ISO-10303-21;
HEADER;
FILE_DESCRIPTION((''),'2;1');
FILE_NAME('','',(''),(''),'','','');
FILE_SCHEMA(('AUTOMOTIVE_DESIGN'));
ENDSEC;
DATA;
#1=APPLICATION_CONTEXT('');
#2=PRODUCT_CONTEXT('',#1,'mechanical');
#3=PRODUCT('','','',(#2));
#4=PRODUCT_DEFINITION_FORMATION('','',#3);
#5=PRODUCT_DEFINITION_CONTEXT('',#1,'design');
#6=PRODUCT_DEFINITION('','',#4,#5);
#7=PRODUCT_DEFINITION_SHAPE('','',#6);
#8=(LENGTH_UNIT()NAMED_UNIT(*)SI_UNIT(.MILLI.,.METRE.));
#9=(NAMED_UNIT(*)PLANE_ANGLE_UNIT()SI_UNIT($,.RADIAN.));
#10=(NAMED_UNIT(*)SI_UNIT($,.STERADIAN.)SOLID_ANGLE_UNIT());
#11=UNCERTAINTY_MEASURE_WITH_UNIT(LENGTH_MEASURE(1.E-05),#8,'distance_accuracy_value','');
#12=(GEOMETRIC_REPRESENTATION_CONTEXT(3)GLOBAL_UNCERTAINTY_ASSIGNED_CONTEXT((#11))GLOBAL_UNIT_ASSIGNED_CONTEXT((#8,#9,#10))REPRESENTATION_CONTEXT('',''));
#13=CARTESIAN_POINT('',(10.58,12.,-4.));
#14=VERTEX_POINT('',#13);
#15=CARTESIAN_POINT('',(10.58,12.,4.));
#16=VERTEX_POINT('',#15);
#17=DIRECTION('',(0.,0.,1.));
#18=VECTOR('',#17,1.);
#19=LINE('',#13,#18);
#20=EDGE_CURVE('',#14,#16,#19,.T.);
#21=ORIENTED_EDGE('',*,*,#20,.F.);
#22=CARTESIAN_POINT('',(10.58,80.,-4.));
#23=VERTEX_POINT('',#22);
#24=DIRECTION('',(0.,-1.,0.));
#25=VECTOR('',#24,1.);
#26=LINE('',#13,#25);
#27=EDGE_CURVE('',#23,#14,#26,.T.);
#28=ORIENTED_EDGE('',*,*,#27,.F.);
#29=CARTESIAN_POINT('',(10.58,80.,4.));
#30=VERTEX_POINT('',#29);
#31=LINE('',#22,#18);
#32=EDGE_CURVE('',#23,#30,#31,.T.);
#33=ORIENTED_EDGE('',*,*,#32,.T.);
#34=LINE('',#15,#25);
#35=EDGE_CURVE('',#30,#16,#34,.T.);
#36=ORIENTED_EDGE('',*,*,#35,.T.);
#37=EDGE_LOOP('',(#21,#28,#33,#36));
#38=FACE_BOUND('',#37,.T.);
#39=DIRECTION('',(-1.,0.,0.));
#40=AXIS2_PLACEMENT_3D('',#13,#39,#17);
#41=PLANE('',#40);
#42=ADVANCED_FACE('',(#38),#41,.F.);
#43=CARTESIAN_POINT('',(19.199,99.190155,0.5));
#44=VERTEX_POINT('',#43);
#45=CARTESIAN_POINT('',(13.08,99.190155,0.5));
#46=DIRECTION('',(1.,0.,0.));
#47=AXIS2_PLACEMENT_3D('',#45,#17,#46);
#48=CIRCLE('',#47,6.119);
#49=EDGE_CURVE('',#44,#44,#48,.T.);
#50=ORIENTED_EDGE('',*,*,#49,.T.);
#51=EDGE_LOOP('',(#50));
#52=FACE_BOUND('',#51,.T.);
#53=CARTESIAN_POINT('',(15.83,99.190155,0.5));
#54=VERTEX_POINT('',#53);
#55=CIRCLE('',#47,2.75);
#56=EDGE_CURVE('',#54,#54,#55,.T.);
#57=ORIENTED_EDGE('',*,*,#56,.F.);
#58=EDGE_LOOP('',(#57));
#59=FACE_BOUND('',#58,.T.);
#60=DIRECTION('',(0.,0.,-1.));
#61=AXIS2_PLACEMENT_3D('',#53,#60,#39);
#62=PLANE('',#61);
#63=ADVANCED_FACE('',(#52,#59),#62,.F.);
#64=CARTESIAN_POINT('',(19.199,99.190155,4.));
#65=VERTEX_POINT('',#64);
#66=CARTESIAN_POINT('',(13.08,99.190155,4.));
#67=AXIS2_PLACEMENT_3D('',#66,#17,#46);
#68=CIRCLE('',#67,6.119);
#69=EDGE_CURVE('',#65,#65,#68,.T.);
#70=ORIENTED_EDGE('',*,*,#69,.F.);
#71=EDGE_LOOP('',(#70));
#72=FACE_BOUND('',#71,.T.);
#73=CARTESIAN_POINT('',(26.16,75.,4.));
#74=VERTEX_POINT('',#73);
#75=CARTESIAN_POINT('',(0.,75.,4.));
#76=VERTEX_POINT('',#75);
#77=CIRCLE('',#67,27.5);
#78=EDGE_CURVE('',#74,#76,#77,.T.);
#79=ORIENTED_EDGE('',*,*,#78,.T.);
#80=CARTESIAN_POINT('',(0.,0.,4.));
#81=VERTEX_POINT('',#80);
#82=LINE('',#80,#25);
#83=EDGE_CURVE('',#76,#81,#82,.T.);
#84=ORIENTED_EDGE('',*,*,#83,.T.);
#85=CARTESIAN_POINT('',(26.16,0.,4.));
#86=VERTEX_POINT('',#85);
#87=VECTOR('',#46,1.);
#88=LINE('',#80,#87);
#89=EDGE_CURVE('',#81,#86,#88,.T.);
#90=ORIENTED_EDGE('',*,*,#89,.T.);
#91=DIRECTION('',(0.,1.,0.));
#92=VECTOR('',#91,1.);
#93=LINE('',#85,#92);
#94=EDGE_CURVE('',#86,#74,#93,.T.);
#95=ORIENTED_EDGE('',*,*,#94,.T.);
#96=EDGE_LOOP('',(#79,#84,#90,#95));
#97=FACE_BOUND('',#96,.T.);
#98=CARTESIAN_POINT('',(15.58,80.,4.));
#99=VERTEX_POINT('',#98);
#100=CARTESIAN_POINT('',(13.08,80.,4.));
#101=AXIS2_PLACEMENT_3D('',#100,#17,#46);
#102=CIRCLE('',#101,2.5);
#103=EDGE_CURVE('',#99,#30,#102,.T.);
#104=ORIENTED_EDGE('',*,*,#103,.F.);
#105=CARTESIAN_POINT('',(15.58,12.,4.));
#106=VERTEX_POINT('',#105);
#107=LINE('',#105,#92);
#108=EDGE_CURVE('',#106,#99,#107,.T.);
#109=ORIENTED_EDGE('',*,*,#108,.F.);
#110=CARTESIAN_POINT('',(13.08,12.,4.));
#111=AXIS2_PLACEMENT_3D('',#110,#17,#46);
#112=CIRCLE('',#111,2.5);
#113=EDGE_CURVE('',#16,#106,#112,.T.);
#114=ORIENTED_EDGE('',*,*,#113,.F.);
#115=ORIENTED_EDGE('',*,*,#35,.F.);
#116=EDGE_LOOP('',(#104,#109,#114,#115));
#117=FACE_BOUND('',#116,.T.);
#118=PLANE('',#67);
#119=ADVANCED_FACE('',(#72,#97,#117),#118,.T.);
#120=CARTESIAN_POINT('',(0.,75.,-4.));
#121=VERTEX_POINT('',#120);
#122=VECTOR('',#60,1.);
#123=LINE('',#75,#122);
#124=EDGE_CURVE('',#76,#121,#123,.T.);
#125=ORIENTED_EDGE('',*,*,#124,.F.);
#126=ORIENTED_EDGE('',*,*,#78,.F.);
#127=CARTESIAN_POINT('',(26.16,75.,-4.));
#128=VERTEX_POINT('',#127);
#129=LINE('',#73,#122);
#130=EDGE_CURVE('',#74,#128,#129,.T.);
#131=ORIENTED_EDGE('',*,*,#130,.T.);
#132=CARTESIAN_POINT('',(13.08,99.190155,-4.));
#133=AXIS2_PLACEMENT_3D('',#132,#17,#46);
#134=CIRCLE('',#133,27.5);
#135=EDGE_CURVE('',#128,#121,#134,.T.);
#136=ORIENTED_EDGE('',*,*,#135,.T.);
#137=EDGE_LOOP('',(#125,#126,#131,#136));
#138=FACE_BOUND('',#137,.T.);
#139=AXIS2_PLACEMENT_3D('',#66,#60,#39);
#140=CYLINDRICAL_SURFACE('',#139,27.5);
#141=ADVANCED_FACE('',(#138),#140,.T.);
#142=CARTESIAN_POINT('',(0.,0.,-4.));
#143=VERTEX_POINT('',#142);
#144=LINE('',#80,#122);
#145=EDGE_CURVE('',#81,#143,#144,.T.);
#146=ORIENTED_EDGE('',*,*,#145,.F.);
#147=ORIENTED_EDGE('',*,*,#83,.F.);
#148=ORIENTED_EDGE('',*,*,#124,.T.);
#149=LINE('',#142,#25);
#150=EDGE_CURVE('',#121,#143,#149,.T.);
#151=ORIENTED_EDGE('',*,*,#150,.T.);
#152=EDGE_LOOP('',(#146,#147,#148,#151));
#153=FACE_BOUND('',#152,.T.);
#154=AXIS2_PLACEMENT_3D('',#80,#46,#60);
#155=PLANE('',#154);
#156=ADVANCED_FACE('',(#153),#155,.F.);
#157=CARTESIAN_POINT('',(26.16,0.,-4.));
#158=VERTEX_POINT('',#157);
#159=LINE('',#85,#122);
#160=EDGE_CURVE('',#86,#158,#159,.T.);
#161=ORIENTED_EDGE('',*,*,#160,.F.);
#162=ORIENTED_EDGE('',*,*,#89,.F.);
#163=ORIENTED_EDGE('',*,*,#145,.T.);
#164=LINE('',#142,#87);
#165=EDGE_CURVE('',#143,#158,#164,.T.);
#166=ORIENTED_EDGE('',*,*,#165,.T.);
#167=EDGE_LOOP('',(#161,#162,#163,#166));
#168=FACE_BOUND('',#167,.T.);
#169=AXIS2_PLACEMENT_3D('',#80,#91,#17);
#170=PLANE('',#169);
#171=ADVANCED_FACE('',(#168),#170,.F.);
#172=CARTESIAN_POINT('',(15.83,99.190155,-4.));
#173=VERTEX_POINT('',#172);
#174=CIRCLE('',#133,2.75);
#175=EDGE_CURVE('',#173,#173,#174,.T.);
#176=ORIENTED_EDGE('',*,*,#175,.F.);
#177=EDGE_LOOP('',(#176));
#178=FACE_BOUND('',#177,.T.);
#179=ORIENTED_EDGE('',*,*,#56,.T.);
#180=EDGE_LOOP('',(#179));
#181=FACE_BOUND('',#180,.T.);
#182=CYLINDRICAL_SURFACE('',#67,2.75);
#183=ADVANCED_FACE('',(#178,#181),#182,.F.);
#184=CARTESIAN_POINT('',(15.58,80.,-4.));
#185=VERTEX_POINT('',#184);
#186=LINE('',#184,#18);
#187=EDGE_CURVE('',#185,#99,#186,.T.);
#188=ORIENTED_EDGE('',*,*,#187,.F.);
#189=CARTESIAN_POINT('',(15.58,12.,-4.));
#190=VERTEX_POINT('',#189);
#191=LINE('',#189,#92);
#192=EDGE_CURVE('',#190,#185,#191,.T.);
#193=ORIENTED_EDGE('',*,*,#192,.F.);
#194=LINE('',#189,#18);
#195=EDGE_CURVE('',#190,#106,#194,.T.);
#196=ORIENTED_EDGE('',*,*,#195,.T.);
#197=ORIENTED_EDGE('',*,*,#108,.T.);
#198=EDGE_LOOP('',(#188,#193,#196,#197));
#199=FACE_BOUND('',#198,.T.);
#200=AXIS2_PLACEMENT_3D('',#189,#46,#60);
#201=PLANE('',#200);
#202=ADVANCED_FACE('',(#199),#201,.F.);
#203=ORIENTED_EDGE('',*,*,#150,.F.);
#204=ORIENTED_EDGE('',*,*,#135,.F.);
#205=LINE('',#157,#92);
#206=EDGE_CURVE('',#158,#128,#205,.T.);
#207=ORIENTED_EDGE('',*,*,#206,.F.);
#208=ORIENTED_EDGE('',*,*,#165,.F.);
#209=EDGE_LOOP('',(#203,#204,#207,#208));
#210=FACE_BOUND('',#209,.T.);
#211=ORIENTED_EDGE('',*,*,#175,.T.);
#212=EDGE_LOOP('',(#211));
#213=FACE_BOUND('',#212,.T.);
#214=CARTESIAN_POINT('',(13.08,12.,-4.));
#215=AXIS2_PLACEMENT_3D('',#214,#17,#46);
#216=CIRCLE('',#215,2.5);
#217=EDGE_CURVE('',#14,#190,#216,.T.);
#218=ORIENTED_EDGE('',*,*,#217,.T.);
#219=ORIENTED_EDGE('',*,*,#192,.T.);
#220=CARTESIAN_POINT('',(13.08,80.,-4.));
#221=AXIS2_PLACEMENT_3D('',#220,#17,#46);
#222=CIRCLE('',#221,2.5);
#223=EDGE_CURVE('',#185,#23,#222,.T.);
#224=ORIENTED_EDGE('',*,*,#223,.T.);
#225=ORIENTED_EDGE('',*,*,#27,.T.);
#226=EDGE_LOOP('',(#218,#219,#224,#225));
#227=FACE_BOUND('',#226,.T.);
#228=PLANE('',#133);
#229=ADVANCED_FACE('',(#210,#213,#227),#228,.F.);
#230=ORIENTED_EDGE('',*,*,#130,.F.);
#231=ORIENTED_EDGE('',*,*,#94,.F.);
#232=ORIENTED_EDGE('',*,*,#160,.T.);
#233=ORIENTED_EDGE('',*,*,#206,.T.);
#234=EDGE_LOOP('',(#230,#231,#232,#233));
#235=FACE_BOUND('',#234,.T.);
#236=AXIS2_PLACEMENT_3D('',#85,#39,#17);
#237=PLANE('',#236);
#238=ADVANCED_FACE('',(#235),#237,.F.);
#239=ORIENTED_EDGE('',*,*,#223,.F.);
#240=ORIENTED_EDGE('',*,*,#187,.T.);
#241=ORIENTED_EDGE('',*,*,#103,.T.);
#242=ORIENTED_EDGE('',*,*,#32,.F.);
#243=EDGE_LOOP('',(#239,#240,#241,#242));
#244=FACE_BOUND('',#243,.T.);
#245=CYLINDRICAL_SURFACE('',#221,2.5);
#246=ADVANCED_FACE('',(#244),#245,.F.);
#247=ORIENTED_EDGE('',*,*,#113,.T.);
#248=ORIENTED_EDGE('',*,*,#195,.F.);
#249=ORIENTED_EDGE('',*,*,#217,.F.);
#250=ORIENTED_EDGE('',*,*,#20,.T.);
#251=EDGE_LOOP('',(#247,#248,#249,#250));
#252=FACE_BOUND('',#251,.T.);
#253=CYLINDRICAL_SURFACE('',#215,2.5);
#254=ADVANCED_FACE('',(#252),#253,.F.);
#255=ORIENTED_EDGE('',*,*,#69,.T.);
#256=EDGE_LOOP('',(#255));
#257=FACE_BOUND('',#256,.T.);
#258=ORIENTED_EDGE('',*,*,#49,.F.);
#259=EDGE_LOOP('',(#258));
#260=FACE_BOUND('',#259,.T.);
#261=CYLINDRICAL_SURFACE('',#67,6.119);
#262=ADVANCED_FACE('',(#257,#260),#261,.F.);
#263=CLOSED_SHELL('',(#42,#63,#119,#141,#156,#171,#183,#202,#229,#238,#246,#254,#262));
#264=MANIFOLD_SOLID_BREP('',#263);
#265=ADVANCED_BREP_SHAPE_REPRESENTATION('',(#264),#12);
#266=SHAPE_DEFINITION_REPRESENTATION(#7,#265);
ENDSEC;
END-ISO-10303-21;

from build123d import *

# Parameters (mm, degrees)
ESTRUSIONE_ESTRUSIONE1_DEPTH                         = 4
TAGLIO_ESTRUSIONE1_DEPTH                             = 134.270896221
FORO_LAMATO_PER_BULLONE_M5_A_TESTA_ESAGO_D           = 5.5
FORO_LAMATO_PER_BULLONE_M5_A_TESTA_ESAGO_CBORE_D     = 12.238
FORO_LAMATO_PER_BULLONE_M5_A_TESTA_ESAGO_CBORE_DEPTH = 3.5


with BuildPart() as part:
    # Schizzo1 → Estrusione-Estrusione1 (new, symmetric)
    with BuildSketch(Plane.XY):
        with BuildLine():
            Line((0, 0), (0, 75))
            ThreePointArc((0, 75), (13.08, 126.690155022), (26.16, 75))
            Line((26.16, 75), (26.16, 0))
            Line((26.16, 0), (0, 0))
        make_face()
    extrude(amount=ESTRUSIONE_ESTRUSIONE1_DEPTH, both=True)

    # Schizzo2 → Taglio-Estrusione1 (cut, through all)
    with BuildSketch(Plane.XY.offset(4)):
        with BuildLine():
            Line((10.58, 12), (10.58, 80))
            ThreePointArc((10.58, 80), (13.08, 82.5), (15.58, 80))
            Line((15.58, 80), (15.58, 12))
            ThreePointArc((15.58, 12), (13.08, 9.5), (10.58, 12))
        make_face()
    extrude(amount=-TAGLIO_ESTRUSIONE1_DEPTH, mode=Mode.SUBTRACT)

    # Foro lamato per Bullone M5 a testa esagonale-1 (through all)
    with Locations(Plane.XY.offset(4)):
        with Locations((13.08, 99.190155022)):
            CounterBoreHole(FORO_LAMATO_PER_BULLONE_M5_A_TESTA_ESAGO_D / 2, FORO_LAMATO_PER_BULLONE_M5_A_TESTA_ESAGO_CBORE_D / 2, FORO_LAMATO_PER_BULLONE_M5_A_TESTA_ESAGO_CBORE_DEPTH)


solid = part.part
